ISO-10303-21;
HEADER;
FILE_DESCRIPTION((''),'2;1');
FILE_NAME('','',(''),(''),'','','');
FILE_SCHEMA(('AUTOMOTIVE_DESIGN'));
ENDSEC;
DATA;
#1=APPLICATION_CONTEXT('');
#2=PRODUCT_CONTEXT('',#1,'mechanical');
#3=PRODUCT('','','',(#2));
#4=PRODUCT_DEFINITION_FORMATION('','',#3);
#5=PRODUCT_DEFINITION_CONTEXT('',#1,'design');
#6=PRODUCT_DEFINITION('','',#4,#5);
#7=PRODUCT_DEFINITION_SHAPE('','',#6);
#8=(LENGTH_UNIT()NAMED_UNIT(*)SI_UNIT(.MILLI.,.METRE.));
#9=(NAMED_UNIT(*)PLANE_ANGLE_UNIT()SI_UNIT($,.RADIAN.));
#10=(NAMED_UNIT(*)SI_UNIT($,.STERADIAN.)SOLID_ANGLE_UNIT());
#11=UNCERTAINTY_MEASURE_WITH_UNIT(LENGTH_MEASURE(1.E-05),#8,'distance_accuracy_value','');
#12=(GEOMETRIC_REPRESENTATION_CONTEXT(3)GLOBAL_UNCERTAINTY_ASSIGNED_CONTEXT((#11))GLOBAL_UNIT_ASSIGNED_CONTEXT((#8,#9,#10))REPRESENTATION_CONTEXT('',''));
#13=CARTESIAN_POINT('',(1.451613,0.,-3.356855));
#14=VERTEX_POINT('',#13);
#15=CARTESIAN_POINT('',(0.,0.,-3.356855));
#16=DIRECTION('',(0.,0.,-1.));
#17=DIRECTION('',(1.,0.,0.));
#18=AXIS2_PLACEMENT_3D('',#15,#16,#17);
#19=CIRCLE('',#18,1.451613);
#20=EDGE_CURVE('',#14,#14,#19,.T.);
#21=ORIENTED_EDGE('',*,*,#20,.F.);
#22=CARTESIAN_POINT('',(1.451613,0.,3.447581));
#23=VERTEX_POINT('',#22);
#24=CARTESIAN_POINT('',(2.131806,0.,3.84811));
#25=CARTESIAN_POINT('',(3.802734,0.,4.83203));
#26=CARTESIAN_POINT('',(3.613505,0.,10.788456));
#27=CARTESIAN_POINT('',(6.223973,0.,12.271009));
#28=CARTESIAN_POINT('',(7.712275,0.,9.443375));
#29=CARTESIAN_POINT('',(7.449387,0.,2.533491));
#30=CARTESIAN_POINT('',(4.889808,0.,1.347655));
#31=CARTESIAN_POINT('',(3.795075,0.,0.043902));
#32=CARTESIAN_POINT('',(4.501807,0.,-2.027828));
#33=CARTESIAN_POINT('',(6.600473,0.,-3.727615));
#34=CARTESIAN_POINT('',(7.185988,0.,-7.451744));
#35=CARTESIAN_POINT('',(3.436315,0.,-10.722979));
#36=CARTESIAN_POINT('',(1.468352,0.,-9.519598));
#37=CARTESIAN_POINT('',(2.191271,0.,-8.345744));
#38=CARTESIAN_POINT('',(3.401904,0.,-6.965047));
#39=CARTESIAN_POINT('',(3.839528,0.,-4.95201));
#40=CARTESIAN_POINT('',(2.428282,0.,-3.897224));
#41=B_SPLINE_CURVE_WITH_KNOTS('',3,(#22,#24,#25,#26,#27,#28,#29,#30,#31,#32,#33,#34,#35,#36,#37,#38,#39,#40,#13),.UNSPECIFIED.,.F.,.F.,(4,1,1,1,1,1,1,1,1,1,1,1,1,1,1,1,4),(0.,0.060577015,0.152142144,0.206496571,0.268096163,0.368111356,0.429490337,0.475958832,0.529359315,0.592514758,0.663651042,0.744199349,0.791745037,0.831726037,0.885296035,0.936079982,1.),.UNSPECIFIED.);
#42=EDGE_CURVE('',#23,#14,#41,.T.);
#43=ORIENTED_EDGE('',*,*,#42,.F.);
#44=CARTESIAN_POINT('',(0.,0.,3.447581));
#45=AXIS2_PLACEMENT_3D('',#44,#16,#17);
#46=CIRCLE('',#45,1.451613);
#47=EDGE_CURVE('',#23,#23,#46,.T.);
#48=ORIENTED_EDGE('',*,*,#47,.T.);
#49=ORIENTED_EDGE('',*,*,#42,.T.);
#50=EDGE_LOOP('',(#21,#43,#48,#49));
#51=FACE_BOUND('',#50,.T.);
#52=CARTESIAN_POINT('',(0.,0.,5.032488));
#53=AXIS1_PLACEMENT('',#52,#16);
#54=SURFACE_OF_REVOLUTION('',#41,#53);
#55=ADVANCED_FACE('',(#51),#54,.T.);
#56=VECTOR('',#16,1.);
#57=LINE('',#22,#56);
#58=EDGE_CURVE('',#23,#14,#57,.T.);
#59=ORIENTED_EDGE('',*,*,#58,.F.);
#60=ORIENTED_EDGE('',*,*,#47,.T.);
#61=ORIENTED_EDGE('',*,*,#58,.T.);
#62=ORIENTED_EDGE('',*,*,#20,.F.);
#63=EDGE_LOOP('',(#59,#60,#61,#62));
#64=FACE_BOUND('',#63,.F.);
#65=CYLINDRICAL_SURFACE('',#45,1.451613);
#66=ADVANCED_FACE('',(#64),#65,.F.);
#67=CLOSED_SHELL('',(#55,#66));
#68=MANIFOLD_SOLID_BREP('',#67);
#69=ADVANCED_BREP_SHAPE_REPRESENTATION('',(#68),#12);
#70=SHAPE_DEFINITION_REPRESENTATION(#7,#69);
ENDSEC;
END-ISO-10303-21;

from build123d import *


with BuildPart() as f1:
    # F0 (on Front) → F1 (revolve)
    with BuildSketch(Plane.XZ):
        with BuildLine():
            add(Edge.make_bspline(
                [(1.4516130323, 3.4475806169), (2.1318060004, 3.8481098676), (3.8027340974, 4.8320300074), (3.6135046074, 10.7884563197), (6.22397252, 12.2710085244), (7.7122746968, 9.4433749874), (7.4493870435, 2.5334913236), (4.8898082961, 1.3476546421), (3.7950754837, 0.0439022012), (4.5018071005, -2.0278277159), (6.6004726415, -3.7276153673), (7.1859880893, -7.451744103), (3.4363146567, -10.7229785963), (1.4683517336, -9.5195984267), (2.1912713072, -8.3457438141), (3.4019040824, -6.9650467844), (3.8395278048, -4.9520100146), (2.428282014, -3.8972239188), (1.4516130323, -3.356854897)],
                knots=[0, 0, 0, 0, 0.0605770154, 0.1521421438, 0.2064965709, 0.2680961627, 0.3681113556, 0.4294903375, 0.4759588315, 0.5293593151, 0.5925147583, 0.6636510423, 0.7441993485, 0.7917450368, 0.8317260374, 0.885296035, 0.936079982, 1, 1, 1, 1], degree=3))
            Line((1.4516130323, 3.4475806169), (1.4516130323, 0))
            Line((1.4516130323, 0), (1.4516130323, -3.356854897))
        make_face()
    revolve(axis=Axis((0, 0, 5.0324884942), (0, 0, -1)))


solid = f1.part
